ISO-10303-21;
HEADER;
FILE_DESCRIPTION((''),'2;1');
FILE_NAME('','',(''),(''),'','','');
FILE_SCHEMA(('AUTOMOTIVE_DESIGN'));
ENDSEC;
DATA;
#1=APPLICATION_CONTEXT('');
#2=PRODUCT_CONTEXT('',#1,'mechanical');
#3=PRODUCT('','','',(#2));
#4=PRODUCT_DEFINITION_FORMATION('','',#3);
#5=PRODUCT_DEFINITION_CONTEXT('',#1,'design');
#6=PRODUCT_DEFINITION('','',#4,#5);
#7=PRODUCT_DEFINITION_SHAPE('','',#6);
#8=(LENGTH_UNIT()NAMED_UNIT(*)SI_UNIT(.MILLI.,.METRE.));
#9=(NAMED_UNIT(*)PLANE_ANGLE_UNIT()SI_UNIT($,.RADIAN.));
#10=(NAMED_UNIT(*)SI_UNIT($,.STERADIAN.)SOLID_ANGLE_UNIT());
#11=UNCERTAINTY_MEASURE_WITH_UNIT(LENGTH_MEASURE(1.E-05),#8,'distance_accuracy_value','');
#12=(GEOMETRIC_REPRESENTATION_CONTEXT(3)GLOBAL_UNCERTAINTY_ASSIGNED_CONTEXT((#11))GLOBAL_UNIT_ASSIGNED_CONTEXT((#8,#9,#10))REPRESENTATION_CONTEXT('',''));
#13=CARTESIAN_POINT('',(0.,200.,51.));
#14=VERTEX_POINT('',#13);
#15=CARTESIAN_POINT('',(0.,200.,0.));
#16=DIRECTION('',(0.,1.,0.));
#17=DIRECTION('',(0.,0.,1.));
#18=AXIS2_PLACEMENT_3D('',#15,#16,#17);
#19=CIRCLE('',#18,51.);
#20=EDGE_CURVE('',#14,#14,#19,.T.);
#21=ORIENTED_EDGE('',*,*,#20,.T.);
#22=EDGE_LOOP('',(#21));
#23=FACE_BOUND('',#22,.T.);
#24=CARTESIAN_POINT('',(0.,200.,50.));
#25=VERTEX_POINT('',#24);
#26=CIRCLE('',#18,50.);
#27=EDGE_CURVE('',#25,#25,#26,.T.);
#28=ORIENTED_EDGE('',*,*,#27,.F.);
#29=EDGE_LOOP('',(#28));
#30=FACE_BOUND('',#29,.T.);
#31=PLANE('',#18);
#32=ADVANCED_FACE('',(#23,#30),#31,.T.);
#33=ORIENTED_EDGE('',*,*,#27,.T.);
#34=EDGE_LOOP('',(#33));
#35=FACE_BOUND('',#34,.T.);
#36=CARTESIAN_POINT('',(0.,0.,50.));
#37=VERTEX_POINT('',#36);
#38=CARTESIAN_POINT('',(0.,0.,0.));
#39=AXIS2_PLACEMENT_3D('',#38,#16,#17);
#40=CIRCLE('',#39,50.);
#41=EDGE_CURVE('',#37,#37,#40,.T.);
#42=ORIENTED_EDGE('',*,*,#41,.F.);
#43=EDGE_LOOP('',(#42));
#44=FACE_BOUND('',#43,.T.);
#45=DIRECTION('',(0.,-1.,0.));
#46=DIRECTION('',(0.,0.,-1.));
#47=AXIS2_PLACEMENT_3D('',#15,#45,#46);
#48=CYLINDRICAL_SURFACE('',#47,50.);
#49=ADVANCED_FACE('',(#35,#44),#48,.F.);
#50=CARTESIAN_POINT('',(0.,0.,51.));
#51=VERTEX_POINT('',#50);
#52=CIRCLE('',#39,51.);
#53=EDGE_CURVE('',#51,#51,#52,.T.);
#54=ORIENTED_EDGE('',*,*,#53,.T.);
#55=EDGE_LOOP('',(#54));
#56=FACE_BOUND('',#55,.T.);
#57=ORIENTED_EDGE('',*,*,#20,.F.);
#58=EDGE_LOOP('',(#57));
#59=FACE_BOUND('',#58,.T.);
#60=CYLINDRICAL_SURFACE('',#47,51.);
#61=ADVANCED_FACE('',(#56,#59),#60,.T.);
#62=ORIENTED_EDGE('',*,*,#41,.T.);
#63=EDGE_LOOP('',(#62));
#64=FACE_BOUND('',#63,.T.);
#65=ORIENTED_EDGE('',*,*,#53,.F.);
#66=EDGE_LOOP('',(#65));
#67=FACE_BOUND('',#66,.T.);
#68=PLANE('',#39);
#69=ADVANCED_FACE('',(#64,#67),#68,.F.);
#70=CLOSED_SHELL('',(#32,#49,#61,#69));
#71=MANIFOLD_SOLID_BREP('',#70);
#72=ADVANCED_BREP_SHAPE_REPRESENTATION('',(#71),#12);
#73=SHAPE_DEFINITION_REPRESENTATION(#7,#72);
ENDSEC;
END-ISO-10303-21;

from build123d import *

# Parameters (mm, degrees)
SKETCH_1_R      = 51
SKETCH_1_R_2    = 50
EXTRUDE_1_DEPTH = 200


with BuildPart() as part:
    # Эскиз1 → Бобышка-Вытянуть1 (new body)
    with BuildSketch(Plane(origin=(0, 0, 0), x_dir=(1, 0, 0), z_dir=(0, 1, 0))):
        with Locations(Location((0, 0, 0), (0, 0, 270))):
            Circle(SKETCH_1_R)
        with Locations(Location((0, 0, 0), (0, 0, 270))):
            Circle(SKETCH_1_R_2, mode=Mode.SUBTRACT)
    extrude(amount=EXTRUDE_1_DEPTH)


solid = part.part
